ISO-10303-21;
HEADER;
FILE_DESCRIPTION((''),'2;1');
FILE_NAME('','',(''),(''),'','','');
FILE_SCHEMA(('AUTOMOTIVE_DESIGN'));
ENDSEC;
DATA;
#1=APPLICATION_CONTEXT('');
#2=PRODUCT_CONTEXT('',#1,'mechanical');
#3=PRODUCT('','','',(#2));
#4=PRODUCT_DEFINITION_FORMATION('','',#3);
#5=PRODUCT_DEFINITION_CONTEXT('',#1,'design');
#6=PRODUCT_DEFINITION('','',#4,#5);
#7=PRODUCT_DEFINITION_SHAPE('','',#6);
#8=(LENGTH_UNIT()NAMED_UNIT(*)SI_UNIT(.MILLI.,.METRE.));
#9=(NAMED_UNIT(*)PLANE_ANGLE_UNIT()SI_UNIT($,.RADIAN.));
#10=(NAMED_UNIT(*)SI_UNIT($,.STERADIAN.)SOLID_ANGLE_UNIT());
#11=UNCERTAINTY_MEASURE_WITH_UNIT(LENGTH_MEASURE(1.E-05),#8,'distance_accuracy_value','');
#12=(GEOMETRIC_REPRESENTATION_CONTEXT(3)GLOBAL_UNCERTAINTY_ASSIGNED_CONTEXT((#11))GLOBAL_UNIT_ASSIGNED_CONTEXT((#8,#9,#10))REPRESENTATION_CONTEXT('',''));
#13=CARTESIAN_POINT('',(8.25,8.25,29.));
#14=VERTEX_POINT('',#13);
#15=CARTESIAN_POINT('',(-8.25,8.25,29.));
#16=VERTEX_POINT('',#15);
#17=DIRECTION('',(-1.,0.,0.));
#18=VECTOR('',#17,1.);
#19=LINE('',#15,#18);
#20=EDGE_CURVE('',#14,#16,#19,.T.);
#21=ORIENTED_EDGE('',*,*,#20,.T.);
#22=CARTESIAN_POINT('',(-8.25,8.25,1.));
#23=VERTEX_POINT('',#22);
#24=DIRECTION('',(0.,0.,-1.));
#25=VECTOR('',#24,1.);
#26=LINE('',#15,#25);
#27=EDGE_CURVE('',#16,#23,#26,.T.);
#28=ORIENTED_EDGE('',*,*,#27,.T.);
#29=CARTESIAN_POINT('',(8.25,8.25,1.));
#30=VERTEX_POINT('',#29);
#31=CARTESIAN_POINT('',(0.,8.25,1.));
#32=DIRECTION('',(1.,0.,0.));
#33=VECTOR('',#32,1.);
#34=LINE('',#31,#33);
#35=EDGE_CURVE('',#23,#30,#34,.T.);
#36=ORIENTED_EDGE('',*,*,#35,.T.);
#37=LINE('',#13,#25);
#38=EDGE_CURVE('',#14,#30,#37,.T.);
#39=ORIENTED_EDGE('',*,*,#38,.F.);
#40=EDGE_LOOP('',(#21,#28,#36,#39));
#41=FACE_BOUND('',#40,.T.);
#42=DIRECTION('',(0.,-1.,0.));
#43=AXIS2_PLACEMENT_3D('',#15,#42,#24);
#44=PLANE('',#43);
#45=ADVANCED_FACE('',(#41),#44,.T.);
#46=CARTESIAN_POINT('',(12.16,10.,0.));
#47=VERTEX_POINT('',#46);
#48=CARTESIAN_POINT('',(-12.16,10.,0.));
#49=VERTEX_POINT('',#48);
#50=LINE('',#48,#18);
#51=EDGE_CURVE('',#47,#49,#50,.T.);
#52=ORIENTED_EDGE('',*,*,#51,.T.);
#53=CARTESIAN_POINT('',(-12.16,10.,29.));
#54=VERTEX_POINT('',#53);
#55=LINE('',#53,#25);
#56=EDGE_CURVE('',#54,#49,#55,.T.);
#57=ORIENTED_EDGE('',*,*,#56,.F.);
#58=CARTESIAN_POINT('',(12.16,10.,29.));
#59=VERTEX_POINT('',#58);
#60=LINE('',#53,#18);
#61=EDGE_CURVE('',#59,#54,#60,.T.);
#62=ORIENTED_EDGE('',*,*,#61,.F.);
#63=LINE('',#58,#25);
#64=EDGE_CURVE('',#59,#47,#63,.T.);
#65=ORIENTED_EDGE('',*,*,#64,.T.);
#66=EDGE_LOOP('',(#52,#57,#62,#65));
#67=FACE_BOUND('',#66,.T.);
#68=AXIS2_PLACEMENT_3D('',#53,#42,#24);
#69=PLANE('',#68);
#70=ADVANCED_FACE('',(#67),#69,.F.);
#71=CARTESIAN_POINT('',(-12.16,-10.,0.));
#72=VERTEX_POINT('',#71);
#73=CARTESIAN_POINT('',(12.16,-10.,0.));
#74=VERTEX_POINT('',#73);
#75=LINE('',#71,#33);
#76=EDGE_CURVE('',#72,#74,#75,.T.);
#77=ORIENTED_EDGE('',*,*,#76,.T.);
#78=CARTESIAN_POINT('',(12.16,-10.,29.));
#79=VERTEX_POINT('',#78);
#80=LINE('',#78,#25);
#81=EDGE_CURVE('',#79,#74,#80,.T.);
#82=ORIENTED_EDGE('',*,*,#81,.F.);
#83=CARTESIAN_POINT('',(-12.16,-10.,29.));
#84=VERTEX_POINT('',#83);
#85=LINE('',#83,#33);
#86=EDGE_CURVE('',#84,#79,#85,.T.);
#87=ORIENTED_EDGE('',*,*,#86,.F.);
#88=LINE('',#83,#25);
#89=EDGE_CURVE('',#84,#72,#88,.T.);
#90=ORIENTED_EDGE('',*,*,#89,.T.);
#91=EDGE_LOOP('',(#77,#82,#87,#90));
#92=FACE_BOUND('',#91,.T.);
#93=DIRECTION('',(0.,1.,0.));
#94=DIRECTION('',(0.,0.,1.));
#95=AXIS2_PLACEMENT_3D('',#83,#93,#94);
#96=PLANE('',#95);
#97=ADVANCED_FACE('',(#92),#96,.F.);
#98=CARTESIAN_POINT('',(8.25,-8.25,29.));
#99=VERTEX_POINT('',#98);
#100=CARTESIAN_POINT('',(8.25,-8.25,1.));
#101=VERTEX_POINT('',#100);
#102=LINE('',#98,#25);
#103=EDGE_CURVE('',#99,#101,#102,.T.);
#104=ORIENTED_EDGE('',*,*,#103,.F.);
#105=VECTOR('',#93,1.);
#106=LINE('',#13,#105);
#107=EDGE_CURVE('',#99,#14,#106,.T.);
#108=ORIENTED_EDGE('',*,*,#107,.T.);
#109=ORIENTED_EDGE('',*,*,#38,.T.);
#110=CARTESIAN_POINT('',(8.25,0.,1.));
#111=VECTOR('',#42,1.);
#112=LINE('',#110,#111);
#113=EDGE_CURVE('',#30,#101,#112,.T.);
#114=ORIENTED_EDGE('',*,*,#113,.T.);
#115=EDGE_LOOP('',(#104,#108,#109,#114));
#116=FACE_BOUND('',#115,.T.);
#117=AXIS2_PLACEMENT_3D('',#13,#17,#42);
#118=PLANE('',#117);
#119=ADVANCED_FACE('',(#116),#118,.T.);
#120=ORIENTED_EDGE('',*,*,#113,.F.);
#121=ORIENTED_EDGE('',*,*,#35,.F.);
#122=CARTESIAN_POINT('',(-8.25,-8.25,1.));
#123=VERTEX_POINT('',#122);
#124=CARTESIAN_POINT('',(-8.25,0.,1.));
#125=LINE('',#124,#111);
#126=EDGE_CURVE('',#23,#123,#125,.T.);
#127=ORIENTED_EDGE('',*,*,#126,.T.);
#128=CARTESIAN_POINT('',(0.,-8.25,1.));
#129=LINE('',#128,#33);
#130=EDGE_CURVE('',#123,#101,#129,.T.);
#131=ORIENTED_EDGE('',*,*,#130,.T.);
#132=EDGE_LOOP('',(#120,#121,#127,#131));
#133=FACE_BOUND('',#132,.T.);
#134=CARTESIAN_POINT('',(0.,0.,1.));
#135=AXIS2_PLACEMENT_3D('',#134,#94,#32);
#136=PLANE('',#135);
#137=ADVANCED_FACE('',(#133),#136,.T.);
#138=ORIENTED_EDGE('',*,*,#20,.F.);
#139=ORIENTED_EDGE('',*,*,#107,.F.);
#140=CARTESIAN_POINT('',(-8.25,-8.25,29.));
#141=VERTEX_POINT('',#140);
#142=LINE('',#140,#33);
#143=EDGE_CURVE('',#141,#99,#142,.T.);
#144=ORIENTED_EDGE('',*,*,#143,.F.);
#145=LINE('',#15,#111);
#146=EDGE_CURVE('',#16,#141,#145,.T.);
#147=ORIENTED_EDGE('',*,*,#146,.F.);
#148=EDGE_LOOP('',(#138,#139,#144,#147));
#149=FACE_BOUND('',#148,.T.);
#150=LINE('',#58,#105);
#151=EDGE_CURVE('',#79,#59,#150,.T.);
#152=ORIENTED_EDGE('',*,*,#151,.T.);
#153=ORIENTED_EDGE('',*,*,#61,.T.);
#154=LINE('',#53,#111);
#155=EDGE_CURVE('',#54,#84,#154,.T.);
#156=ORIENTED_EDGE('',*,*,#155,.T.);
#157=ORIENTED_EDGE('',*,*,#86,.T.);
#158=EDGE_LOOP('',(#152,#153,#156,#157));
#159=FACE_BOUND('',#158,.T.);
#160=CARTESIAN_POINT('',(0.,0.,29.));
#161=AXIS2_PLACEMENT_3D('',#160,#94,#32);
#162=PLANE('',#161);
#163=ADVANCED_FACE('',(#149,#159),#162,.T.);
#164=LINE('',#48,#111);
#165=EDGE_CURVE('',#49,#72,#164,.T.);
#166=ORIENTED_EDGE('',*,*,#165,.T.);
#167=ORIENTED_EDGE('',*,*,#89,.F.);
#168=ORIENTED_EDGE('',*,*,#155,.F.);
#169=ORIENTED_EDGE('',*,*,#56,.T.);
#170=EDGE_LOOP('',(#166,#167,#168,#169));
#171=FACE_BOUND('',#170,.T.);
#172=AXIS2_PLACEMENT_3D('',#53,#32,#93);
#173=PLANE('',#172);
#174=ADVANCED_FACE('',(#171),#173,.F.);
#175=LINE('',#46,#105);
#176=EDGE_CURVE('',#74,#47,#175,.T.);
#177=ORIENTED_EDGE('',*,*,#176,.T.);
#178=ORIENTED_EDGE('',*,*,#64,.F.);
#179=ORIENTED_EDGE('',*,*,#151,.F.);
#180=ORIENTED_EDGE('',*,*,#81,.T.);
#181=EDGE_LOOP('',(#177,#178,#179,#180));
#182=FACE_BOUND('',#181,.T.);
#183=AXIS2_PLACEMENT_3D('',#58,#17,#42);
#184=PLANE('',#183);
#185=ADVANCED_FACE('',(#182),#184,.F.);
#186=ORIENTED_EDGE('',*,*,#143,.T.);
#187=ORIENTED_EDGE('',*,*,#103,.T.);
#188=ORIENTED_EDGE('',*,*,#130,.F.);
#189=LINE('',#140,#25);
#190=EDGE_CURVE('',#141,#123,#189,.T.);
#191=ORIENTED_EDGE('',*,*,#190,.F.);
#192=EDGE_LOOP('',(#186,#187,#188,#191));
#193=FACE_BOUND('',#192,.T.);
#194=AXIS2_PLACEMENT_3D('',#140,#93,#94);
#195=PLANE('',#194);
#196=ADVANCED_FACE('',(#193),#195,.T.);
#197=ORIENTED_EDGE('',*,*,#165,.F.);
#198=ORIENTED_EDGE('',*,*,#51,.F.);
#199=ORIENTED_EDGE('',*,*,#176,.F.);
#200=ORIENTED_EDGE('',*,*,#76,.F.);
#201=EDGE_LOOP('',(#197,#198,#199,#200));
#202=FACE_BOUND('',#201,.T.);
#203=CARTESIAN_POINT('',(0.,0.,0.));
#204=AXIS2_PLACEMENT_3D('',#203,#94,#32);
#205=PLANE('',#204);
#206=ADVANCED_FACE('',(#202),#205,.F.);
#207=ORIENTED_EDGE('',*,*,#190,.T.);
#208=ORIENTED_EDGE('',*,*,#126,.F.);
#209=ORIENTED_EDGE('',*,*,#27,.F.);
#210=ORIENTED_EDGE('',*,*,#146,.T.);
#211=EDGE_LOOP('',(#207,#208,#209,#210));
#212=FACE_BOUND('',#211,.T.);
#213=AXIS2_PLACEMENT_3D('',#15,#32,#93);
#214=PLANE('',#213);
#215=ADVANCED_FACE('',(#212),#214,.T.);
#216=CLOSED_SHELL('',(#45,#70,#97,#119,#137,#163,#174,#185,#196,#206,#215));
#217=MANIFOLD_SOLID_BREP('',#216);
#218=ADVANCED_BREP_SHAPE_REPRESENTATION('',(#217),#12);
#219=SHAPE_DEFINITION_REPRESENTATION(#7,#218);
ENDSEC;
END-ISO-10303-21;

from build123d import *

# Parameters (mm, degrees)
SKETCH_1_W      = 24.32
SKETCH_1_H      = 20
SKETCH_1_W_2    = 16.5
SKETCH_1_H_2    = 16.5
EXTRUDE_1_DEPTH = 29
SKETCH_2_W      = 16.5
SKETCH_2_H      = 16.5
EXTRUDE_2_DEPTH = 1


with BuildPart() as part:
    # 草圖1 → 填料-伸長1 (new body)
    with BuildSketch(Plane.XY):
        Rectangle(SKETCH_1_W, SKETCH_1_H)
        Rectangle(SKETCH_1_W_2, SKETCH_1_H_2, mode=Mode.SUBTRACT)
    extrude(amount=EXTRUDE_1_DEPTH)

    # 草圖2 → 填料-伸長2 (add)
    with BuildSketch(Plane.XY):
        Rectangle(SKETCH_2_W, SKETCH_2_H)
    extrude(amount=EXTRUDE_2_DEPTH)


solid = part.part
